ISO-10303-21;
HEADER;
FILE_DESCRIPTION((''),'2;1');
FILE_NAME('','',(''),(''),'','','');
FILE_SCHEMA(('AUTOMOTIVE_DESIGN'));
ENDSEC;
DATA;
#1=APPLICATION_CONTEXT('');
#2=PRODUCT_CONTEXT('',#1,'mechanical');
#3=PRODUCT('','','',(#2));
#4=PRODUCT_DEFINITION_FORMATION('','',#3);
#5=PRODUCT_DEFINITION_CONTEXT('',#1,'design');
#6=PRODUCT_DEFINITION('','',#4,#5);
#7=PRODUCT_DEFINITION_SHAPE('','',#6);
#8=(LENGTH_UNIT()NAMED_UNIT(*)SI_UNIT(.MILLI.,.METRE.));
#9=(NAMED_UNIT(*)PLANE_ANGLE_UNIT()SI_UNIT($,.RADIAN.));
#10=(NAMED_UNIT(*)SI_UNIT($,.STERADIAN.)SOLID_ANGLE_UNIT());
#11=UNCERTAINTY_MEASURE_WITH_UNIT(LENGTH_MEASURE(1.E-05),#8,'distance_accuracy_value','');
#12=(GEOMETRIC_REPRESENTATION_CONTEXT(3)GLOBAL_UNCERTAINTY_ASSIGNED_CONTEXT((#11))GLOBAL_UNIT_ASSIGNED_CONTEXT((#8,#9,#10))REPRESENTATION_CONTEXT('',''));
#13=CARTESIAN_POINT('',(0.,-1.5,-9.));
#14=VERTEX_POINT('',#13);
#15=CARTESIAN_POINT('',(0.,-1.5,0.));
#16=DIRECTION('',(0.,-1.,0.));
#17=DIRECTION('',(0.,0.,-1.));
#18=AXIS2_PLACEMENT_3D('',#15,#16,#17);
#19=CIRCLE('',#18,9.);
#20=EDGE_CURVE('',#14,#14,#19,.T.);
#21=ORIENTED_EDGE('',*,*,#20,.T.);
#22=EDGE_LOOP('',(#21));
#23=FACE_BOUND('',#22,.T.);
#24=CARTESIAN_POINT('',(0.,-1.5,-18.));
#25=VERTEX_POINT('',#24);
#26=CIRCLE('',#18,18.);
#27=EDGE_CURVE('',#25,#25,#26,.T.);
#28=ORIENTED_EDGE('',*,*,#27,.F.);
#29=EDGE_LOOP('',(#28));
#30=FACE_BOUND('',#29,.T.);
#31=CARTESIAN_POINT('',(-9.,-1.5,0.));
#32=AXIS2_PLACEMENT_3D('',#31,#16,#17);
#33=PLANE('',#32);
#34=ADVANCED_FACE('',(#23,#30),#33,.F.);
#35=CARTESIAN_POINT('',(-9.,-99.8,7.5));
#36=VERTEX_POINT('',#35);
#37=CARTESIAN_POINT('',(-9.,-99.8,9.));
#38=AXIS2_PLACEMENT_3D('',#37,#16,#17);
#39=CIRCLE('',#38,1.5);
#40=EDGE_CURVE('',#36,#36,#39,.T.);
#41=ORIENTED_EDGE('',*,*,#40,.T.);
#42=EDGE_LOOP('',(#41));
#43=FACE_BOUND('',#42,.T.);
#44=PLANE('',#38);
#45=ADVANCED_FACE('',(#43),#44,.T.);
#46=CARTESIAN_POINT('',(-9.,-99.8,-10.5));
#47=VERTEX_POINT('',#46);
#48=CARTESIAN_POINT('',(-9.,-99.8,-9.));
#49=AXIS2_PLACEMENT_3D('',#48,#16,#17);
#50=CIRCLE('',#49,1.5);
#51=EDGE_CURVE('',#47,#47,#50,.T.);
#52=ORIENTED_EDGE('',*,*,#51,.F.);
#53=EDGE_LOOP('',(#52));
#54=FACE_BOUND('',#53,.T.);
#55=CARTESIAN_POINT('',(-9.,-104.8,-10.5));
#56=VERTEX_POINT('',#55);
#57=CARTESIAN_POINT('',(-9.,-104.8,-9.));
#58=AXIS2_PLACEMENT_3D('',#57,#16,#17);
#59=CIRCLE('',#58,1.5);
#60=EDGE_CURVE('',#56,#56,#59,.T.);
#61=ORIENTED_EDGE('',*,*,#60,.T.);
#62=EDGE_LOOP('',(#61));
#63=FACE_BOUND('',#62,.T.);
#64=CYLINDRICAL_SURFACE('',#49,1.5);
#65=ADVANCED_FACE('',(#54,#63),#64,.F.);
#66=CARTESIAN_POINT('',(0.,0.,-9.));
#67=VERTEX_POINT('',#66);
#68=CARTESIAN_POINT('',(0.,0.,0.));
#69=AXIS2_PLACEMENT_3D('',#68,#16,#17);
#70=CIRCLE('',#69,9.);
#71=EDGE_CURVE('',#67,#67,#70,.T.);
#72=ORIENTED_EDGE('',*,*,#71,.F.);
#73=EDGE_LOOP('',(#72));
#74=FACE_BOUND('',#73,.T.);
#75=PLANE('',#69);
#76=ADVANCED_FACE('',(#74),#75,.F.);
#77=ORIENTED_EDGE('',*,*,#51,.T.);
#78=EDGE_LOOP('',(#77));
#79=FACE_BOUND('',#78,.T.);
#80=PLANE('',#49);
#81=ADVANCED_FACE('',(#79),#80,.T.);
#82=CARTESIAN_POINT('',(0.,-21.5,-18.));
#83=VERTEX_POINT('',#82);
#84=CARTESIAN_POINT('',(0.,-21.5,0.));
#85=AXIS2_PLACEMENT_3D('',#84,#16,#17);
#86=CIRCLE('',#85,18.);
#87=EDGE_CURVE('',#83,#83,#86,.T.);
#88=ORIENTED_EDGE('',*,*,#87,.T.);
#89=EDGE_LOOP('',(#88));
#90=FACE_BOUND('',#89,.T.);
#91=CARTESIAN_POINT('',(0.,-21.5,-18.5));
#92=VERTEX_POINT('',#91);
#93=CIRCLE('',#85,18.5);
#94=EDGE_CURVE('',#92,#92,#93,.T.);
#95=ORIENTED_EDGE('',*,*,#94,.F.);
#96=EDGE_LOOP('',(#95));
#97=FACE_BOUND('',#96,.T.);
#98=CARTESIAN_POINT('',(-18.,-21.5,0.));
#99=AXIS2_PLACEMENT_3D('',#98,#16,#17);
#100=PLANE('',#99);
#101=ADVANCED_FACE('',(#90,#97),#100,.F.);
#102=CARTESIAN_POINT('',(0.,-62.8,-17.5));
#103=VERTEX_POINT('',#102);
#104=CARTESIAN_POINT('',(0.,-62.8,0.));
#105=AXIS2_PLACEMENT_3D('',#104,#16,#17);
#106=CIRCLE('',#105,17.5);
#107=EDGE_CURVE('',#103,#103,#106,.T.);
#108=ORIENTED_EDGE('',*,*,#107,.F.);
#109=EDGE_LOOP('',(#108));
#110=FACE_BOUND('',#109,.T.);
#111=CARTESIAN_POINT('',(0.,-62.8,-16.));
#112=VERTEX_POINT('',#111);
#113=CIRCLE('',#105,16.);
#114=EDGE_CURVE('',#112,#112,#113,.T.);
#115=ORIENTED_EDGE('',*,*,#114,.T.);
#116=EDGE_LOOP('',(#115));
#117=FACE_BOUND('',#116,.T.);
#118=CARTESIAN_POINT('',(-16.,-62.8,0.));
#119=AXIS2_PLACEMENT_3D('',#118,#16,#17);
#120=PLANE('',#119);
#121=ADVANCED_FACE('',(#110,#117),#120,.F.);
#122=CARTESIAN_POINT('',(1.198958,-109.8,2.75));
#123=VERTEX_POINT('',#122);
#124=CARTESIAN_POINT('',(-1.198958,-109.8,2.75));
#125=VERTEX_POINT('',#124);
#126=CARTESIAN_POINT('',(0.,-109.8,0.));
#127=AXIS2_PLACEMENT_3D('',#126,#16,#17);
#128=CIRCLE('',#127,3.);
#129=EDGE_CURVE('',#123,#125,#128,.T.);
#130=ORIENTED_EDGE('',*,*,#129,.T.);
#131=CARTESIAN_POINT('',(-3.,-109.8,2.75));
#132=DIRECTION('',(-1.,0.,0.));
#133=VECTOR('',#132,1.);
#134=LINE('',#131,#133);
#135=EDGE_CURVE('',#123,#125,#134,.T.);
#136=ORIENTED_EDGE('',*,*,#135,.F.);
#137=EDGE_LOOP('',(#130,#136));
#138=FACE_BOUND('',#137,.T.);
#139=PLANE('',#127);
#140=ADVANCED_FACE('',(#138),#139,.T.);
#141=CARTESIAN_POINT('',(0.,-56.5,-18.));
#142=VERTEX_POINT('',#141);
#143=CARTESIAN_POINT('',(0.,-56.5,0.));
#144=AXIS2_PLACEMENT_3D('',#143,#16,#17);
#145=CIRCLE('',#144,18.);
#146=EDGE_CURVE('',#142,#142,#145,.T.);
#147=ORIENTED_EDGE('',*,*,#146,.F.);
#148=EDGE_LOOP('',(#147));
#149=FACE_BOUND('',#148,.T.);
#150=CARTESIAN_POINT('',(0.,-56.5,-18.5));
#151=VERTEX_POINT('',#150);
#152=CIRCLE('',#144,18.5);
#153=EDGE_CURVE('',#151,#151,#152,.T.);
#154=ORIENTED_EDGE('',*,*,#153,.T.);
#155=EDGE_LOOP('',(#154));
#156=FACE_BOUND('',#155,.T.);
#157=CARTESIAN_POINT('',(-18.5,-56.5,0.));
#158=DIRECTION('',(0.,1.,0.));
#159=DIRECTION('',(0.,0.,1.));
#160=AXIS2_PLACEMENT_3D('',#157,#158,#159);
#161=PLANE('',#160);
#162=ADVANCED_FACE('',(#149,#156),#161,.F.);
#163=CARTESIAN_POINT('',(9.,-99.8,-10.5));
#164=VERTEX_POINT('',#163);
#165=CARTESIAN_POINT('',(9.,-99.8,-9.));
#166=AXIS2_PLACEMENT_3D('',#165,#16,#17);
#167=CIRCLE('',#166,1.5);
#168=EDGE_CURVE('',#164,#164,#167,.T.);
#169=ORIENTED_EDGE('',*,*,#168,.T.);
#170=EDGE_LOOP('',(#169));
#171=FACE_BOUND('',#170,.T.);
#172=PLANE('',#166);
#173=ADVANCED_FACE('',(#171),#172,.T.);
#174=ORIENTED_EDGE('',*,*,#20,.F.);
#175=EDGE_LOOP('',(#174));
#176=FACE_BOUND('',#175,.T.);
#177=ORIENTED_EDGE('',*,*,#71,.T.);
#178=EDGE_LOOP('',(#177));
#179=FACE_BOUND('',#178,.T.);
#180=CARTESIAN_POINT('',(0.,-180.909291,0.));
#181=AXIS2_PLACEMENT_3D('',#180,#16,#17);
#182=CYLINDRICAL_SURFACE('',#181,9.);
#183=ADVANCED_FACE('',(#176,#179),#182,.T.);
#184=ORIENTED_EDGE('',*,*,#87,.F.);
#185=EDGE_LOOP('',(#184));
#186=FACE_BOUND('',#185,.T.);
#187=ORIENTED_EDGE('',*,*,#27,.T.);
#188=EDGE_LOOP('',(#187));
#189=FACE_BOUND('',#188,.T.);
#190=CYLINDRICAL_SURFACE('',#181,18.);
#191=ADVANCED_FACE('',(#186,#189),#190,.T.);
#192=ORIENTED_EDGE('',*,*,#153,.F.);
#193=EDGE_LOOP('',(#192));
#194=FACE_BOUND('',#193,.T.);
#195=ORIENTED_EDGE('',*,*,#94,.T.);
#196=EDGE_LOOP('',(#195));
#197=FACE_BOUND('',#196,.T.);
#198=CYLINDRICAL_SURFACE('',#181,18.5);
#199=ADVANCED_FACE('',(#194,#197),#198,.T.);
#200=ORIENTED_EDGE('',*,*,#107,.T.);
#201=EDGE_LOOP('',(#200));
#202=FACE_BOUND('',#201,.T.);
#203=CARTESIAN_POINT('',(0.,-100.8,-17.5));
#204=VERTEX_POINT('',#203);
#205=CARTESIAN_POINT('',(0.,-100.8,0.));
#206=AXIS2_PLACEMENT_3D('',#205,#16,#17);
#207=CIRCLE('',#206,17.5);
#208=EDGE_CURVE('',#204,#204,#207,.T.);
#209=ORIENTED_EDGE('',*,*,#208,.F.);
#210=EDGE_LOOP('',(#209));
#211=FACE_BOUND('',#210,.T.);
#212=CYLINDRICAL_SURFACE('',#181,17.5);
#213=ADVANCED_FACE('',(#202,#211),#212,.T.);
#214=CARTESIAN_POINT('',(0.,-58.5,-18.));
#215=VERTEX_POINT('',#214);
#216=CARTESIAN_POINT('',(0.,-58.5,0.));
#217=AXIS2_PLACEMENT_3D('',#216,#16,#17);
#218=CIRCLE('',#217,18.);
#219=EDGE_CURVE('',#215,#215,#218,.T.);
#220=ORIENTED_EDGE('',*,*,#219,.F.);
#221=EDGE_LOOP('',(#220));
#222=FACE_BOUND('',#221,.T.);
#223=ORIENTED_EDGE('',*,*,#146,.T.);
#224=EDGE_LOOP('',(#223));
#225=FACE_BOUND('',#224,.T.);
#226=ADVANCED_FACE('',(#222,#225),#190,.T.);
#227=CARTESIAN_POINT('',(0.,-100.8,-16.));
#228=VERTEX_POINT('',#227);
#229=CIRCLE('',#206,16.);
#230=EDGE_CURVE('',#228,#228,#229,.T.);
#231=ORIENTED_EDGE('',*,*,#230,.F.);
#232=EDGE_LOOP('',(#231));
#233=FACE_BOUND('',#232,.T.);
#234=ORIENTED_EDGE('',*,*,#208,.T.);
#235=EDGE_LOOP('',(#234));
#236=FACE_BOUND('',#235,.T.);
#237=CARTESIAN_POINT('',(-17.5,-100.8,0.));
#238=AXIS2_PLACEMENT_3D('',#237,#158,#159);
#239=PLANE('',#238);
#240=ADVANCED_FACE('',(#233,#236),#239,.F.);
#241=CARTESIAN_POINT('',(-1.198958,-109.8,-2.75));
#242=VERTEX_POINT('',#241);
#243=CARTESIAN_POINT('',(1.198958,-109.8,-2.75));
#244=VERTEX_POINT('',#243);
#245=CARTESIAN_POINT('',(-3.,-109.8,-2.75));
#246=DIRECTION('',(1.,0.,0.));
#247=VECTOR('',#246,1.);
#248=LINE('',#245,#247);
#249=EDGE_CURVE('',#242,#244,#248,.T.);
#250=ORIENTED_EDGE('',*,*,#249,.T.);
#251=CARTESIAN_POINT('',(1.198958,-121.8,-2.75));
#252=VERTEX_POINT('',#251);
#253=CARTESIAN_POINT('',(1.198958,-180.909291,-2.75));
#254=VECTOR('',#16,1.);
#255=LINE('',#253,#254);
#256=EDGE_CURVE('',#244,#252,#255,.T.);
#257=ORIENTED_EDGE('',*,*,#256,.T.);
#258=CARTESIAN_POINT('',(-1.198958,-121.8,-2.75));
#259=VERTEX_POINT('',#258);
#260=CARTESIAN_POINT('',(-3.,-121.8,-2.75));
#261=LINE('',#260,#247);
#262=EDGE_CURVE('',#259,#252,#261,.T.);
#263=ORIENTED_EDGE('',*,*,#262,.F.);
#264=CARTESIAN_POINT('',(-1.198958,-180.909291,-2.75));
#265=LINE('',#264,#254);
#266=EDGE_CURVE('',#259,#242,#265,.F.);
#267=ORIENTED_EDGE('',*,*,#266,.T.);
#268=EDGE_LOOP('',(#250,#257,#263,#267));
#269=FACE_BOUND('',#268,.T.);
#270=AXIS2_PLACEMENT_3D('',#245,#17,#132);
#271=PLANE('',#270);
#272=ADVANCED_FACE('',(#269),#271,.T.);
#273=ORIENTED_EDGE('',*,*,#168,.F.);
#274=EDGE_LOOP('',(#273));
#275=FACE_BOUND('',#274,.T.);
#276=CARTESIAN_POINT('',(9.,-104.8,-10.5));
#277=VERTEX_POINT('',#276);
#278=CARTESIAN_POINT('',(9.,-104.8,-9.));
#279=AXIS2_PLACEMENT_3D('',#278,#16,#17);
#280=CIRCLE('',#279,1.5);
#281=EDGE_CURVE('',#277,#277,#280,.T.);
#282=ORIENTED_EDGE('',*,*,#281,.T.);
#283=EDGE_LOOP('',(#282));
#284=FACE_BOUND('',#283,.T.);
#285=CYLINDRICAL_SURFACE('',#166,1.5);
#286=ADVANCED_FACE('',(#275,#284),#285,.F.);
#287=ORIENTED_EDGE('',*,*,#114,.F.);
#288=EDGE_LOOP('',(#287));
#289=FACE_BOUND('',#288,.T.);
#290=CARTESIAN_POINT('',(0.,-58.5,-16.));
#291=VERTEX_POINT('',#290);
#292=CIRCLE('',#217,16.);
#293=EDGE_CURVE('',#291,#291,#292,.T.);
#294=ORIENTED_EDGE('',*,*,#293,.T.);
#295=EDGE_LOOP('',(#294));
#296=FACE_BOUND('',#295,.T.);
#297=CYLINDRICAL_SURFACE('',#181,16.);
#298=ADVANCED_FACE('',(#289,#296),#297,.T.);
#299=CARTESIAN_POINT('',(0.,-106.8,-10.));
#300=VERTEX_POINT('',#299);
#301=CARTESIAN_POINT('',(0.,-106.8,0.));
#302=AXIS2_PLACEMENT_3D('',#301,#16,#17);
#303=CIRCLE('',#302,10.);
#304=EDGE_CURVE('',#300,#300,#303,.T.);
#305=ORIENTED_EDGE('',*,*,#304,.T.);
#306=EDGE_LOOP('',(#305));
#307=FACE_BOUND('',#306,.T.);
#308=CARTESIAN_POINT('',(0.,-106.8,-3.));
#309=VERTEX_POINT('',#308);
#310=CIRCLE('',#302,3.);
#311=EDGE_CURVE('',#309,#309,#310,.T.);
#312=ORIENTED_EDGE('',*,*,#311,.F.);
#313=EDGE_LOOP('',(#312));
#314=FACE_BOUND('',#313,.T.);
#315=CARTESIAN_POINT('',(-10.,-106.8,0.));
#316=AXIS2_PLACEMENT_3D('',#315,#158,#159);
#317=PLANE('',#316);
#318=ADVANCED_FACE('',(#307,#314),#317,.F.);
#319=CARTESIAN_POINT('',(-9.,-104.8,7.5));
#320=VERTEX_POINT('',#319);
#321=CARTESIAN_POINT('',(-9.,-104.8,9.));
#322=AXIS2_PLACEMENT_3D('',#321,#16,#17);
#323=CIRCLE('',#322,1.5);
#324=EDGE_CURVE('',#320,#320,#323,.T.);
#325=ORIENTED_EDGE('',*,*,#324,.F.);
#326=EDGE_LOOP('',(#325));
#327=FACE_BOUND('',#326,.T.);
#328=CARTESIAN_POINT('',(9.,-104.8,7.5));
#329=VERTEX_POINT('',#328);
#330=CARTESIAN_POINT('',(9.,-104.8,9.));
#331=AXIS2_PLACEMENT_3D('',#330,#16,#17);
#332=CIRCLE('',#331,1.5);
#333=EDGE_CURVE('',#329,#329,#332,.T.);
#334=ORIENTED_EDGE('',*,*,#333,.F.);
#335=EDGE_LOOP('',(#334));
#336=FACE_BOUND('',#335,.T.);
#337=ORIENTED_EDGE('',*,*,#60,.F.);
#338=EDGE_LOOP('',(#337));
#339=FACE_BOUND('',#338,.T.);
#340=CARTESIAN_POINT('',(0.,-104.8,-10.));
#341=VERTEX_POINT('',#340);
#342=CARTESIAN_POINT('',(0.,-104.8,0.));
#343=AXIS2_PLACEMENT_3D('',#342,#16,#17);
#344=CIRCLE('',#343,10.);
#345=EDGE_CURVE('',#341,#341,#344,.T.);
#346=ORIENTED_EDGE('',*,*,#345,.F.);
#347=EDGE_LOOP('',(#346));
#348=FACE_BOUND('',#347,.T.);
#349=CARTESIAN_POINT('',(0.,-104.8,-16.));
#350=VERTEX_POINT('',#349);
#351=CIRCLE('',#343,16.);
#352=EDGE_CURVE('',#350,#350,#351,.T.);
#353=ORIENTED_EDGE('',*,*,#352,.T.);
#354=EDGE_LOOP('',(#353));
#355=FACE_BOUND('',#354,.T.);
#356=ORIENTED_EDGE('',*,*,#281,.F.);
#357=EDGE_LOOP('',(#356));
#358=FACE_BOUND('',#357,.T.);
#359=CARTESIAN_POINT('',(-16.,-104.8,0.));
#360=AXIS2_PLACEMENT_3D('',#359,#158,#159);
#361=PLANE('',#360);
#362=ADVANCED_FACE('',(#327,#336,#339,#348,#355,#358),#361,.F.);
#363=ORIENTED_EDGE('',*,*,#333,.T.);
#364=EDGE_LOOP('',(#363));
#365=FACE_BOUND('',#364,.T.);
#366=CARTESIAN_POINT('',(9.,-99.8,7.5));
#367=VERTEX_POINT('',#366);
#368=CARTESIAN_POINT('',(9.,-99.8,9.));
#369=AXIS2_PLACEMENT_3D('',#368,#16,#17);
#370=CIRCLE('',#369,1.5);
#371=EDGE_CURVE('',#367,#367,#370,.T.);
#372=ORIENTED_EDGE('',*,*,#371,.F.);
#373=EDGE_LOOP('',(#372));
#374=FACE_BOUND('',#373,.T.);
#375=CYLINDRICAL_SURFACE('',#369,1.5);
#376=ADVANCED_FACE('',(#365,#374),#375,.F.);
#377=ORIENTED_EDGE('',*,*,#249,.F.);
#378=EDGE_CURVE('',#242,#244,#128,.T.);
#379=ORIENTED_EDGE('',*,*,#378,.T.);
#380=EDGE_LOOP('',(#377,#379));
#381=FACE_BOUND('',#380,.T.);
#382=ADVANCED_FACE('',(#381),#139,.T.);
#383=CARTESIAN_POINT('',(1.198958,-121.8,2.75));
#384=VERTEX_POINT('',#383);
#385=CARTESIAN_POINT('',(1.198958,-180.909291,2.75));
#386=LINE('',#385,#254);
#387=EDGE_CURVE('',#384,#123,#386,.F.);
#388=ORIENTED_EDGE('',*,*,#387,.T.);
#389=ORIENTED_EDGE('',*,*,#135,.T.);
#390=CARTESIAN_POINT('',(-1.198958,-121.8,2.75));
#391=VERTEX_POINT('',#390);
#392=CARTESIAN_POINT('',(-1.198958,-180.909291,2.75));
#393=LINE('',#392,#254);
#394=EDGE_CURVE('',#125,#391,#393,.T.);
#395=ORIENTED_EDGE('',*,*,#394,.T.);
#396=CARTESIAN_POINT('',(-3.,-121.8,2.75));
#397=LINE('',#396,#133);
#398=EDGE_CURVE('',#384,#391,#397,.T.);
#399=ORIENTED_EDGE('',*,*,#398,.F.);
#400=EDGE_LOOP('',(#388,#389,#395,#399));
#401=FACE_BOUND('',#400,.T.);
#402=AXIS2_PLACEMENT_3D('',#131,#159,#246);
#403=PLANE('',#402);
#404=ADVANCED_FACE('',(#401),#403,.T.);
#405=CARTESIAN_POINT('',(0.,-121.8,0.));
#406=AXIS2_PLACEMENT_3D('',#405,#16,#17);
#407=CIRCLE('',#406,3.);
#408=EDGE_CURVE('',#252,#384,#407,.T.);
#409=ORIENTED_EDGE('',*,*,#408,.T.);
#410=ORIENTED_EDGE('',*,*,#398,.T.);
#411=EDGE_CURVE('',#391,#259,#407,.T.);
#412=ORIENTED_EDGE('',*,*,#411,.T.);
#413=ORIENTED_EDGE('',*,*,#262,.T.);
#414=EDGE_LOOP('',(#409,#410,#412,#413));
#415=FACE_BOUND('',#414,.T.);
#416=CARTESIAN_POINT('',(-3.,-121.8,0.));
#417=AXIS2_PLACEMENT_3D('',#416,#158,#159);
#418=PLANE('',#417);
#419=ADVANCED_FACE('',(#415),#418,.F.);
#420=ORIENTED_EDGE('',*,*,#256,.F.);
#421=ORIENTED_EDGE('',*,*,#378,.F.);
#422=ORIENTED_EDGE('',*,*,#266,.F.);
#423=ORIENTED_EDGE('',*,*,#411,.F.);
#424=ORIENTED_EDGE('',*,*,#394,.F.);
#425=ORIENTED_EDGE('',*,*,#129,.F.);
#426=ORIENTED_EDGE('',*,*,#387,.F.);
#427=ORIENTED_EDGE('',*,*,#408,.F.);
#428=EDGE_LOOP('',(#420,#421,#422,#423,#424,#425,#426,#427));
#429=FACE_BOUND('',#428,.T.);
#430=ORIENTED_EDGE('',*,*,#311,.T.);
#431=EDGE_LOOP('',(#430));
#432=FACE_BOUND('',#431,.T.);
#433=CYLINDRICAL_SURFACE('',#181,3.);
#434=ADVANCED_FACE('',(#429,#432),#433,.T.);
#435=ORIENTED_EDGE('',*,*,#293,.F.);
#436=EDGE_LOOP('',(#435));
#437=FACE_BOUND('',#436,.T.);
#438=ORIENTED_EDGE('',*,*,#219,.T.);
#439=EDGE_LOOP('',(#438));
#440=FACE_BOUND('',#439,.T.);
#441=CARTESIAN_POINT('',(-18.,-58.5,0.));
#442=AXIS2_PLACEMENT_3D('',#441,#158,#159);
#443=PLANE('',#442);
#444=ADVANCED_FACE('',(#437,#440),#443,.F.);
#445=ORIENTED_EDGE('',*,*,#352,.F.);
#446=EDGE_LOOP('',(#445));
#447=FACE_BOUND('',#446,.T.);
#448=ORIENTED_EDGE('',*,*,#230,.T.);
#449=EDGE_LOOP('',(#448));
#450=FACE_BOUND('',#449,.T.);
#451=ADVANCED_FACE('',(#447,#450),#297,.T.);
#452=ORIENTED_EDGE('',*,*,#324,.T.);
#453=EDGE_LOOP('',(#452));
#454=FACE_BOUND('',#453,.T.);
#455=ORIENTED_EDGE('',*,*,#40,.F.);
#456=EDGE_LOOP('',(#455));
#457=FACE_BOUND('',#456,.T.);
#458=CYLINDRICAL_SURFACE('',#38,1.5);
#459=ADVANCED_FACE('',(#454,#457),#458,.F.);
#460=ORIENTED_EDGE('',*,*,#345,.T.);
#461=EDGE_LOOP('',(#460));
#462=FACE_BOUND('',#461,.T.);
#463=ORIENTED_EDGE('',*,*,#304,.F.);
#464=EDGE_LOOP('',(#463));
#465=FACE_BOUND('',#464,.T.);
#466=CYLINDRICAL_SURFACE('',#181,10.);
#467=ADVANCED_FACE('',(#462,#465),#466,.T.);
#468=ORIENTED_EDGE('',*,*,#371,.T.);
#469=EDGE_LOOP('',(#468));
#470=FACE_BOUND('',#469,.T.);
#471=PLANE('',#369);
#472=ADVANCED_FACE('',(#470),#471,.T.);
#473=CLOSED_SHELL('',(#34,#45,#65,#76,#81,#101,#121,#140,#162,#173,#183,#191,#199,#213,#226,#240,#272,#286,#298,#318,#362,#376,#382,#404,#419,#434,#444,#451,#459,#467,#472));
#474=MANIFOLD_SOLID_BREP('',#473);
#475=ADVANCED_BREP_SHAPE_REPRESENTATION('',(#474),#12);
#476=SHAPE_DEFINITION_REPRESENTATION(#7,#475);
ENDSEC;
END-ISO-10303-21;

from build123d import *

# Parameters (mm, degrees)
SKETCH_4_OUTSIDE_W   = 65.512
SKETCH_4_OUTSIDE_H   = 65.512
SKETCH_4_OUTSIDE_W_2 = 6
SKETCH_4_OUTSIDE_H_2 = 5.5
CUT_EXTRUDE_2_DEPTH  = 12
SKETCH_5_R           = 1.5
CUT_EXTRUDE_3_DEPTH  = 5


with BuildPart() as part:
    # Эскиз1 → Повернуть1 (revolve)
    with BuildSketch(Plane.XY, mode=Mode.PRIVATE) as revolve_1_sk:
        Polygon((0, 0), (-9, 0), (-9, -1.5), (-18, -1.5), (-18, -21.5), (-18.5, -21.5), (-18.5, -56.5), (-18, -56.5), (-18, -58.5), (-16, -58.5), (-16, -62.8), (-17.5, -62.8), (-17.5, -100.8), (-16, -100.8), (-16, -104.8), (-10, -104.8), (-10, -106.8), (-3, -106.8), (-3, -121.8), (0, -121.8), align=None)
    revolve(revolve_1_sk.sketch.rotate(Axis((0, -180.909291234, 0), (0, 1, 0)), 270), axis=Axis((0, -180.909291234, 0), (0, 1, 0)))

    # Эскиз4 outside → Вырез-Вытянуть2 (cut)
    with BuildSketch(Plane.XZ.offset(121.8)):
        Rectangle(SKETCH_4_OUTSIDE_W, SKETCH_4_OUTSIDE_H)
        Rectangle(SKETCH_4_OUTSIDE_W_2, SKETCH_4_OUTSIDE_H_2, mode=Mode.SUBTRACT)
    extrude(amount=-CUT_EXTRUDE_2_DEPTH, mode=Mode.SUBTRACT)

    # Эскиз5 → Вырез-Вытянуть3 (cut)
    with BuildSketch(Plane.XZ.offset(104.8)):
        with Locations(Location((-9, 9, 0), (0, 0, 270))):
            Circle(SKETCH_5_R)
        with Locations(Location((9, 9, 0), (0, 0, 270))):
            Circle(SKETCH_5_R)
        with Locations(Location((9, -9, 0), (0, 0, 270))):
            Circle(SKETCH_5_R)
        with Locations(Location((-9, -9, 0), (0, 0, 270))):
            Circle(SKETCH_5_R)
    extrude(amount=-CUT_EXTRUDE_3_DEPTH, mode=Mode.SUBTRACT)


solid = part.part
